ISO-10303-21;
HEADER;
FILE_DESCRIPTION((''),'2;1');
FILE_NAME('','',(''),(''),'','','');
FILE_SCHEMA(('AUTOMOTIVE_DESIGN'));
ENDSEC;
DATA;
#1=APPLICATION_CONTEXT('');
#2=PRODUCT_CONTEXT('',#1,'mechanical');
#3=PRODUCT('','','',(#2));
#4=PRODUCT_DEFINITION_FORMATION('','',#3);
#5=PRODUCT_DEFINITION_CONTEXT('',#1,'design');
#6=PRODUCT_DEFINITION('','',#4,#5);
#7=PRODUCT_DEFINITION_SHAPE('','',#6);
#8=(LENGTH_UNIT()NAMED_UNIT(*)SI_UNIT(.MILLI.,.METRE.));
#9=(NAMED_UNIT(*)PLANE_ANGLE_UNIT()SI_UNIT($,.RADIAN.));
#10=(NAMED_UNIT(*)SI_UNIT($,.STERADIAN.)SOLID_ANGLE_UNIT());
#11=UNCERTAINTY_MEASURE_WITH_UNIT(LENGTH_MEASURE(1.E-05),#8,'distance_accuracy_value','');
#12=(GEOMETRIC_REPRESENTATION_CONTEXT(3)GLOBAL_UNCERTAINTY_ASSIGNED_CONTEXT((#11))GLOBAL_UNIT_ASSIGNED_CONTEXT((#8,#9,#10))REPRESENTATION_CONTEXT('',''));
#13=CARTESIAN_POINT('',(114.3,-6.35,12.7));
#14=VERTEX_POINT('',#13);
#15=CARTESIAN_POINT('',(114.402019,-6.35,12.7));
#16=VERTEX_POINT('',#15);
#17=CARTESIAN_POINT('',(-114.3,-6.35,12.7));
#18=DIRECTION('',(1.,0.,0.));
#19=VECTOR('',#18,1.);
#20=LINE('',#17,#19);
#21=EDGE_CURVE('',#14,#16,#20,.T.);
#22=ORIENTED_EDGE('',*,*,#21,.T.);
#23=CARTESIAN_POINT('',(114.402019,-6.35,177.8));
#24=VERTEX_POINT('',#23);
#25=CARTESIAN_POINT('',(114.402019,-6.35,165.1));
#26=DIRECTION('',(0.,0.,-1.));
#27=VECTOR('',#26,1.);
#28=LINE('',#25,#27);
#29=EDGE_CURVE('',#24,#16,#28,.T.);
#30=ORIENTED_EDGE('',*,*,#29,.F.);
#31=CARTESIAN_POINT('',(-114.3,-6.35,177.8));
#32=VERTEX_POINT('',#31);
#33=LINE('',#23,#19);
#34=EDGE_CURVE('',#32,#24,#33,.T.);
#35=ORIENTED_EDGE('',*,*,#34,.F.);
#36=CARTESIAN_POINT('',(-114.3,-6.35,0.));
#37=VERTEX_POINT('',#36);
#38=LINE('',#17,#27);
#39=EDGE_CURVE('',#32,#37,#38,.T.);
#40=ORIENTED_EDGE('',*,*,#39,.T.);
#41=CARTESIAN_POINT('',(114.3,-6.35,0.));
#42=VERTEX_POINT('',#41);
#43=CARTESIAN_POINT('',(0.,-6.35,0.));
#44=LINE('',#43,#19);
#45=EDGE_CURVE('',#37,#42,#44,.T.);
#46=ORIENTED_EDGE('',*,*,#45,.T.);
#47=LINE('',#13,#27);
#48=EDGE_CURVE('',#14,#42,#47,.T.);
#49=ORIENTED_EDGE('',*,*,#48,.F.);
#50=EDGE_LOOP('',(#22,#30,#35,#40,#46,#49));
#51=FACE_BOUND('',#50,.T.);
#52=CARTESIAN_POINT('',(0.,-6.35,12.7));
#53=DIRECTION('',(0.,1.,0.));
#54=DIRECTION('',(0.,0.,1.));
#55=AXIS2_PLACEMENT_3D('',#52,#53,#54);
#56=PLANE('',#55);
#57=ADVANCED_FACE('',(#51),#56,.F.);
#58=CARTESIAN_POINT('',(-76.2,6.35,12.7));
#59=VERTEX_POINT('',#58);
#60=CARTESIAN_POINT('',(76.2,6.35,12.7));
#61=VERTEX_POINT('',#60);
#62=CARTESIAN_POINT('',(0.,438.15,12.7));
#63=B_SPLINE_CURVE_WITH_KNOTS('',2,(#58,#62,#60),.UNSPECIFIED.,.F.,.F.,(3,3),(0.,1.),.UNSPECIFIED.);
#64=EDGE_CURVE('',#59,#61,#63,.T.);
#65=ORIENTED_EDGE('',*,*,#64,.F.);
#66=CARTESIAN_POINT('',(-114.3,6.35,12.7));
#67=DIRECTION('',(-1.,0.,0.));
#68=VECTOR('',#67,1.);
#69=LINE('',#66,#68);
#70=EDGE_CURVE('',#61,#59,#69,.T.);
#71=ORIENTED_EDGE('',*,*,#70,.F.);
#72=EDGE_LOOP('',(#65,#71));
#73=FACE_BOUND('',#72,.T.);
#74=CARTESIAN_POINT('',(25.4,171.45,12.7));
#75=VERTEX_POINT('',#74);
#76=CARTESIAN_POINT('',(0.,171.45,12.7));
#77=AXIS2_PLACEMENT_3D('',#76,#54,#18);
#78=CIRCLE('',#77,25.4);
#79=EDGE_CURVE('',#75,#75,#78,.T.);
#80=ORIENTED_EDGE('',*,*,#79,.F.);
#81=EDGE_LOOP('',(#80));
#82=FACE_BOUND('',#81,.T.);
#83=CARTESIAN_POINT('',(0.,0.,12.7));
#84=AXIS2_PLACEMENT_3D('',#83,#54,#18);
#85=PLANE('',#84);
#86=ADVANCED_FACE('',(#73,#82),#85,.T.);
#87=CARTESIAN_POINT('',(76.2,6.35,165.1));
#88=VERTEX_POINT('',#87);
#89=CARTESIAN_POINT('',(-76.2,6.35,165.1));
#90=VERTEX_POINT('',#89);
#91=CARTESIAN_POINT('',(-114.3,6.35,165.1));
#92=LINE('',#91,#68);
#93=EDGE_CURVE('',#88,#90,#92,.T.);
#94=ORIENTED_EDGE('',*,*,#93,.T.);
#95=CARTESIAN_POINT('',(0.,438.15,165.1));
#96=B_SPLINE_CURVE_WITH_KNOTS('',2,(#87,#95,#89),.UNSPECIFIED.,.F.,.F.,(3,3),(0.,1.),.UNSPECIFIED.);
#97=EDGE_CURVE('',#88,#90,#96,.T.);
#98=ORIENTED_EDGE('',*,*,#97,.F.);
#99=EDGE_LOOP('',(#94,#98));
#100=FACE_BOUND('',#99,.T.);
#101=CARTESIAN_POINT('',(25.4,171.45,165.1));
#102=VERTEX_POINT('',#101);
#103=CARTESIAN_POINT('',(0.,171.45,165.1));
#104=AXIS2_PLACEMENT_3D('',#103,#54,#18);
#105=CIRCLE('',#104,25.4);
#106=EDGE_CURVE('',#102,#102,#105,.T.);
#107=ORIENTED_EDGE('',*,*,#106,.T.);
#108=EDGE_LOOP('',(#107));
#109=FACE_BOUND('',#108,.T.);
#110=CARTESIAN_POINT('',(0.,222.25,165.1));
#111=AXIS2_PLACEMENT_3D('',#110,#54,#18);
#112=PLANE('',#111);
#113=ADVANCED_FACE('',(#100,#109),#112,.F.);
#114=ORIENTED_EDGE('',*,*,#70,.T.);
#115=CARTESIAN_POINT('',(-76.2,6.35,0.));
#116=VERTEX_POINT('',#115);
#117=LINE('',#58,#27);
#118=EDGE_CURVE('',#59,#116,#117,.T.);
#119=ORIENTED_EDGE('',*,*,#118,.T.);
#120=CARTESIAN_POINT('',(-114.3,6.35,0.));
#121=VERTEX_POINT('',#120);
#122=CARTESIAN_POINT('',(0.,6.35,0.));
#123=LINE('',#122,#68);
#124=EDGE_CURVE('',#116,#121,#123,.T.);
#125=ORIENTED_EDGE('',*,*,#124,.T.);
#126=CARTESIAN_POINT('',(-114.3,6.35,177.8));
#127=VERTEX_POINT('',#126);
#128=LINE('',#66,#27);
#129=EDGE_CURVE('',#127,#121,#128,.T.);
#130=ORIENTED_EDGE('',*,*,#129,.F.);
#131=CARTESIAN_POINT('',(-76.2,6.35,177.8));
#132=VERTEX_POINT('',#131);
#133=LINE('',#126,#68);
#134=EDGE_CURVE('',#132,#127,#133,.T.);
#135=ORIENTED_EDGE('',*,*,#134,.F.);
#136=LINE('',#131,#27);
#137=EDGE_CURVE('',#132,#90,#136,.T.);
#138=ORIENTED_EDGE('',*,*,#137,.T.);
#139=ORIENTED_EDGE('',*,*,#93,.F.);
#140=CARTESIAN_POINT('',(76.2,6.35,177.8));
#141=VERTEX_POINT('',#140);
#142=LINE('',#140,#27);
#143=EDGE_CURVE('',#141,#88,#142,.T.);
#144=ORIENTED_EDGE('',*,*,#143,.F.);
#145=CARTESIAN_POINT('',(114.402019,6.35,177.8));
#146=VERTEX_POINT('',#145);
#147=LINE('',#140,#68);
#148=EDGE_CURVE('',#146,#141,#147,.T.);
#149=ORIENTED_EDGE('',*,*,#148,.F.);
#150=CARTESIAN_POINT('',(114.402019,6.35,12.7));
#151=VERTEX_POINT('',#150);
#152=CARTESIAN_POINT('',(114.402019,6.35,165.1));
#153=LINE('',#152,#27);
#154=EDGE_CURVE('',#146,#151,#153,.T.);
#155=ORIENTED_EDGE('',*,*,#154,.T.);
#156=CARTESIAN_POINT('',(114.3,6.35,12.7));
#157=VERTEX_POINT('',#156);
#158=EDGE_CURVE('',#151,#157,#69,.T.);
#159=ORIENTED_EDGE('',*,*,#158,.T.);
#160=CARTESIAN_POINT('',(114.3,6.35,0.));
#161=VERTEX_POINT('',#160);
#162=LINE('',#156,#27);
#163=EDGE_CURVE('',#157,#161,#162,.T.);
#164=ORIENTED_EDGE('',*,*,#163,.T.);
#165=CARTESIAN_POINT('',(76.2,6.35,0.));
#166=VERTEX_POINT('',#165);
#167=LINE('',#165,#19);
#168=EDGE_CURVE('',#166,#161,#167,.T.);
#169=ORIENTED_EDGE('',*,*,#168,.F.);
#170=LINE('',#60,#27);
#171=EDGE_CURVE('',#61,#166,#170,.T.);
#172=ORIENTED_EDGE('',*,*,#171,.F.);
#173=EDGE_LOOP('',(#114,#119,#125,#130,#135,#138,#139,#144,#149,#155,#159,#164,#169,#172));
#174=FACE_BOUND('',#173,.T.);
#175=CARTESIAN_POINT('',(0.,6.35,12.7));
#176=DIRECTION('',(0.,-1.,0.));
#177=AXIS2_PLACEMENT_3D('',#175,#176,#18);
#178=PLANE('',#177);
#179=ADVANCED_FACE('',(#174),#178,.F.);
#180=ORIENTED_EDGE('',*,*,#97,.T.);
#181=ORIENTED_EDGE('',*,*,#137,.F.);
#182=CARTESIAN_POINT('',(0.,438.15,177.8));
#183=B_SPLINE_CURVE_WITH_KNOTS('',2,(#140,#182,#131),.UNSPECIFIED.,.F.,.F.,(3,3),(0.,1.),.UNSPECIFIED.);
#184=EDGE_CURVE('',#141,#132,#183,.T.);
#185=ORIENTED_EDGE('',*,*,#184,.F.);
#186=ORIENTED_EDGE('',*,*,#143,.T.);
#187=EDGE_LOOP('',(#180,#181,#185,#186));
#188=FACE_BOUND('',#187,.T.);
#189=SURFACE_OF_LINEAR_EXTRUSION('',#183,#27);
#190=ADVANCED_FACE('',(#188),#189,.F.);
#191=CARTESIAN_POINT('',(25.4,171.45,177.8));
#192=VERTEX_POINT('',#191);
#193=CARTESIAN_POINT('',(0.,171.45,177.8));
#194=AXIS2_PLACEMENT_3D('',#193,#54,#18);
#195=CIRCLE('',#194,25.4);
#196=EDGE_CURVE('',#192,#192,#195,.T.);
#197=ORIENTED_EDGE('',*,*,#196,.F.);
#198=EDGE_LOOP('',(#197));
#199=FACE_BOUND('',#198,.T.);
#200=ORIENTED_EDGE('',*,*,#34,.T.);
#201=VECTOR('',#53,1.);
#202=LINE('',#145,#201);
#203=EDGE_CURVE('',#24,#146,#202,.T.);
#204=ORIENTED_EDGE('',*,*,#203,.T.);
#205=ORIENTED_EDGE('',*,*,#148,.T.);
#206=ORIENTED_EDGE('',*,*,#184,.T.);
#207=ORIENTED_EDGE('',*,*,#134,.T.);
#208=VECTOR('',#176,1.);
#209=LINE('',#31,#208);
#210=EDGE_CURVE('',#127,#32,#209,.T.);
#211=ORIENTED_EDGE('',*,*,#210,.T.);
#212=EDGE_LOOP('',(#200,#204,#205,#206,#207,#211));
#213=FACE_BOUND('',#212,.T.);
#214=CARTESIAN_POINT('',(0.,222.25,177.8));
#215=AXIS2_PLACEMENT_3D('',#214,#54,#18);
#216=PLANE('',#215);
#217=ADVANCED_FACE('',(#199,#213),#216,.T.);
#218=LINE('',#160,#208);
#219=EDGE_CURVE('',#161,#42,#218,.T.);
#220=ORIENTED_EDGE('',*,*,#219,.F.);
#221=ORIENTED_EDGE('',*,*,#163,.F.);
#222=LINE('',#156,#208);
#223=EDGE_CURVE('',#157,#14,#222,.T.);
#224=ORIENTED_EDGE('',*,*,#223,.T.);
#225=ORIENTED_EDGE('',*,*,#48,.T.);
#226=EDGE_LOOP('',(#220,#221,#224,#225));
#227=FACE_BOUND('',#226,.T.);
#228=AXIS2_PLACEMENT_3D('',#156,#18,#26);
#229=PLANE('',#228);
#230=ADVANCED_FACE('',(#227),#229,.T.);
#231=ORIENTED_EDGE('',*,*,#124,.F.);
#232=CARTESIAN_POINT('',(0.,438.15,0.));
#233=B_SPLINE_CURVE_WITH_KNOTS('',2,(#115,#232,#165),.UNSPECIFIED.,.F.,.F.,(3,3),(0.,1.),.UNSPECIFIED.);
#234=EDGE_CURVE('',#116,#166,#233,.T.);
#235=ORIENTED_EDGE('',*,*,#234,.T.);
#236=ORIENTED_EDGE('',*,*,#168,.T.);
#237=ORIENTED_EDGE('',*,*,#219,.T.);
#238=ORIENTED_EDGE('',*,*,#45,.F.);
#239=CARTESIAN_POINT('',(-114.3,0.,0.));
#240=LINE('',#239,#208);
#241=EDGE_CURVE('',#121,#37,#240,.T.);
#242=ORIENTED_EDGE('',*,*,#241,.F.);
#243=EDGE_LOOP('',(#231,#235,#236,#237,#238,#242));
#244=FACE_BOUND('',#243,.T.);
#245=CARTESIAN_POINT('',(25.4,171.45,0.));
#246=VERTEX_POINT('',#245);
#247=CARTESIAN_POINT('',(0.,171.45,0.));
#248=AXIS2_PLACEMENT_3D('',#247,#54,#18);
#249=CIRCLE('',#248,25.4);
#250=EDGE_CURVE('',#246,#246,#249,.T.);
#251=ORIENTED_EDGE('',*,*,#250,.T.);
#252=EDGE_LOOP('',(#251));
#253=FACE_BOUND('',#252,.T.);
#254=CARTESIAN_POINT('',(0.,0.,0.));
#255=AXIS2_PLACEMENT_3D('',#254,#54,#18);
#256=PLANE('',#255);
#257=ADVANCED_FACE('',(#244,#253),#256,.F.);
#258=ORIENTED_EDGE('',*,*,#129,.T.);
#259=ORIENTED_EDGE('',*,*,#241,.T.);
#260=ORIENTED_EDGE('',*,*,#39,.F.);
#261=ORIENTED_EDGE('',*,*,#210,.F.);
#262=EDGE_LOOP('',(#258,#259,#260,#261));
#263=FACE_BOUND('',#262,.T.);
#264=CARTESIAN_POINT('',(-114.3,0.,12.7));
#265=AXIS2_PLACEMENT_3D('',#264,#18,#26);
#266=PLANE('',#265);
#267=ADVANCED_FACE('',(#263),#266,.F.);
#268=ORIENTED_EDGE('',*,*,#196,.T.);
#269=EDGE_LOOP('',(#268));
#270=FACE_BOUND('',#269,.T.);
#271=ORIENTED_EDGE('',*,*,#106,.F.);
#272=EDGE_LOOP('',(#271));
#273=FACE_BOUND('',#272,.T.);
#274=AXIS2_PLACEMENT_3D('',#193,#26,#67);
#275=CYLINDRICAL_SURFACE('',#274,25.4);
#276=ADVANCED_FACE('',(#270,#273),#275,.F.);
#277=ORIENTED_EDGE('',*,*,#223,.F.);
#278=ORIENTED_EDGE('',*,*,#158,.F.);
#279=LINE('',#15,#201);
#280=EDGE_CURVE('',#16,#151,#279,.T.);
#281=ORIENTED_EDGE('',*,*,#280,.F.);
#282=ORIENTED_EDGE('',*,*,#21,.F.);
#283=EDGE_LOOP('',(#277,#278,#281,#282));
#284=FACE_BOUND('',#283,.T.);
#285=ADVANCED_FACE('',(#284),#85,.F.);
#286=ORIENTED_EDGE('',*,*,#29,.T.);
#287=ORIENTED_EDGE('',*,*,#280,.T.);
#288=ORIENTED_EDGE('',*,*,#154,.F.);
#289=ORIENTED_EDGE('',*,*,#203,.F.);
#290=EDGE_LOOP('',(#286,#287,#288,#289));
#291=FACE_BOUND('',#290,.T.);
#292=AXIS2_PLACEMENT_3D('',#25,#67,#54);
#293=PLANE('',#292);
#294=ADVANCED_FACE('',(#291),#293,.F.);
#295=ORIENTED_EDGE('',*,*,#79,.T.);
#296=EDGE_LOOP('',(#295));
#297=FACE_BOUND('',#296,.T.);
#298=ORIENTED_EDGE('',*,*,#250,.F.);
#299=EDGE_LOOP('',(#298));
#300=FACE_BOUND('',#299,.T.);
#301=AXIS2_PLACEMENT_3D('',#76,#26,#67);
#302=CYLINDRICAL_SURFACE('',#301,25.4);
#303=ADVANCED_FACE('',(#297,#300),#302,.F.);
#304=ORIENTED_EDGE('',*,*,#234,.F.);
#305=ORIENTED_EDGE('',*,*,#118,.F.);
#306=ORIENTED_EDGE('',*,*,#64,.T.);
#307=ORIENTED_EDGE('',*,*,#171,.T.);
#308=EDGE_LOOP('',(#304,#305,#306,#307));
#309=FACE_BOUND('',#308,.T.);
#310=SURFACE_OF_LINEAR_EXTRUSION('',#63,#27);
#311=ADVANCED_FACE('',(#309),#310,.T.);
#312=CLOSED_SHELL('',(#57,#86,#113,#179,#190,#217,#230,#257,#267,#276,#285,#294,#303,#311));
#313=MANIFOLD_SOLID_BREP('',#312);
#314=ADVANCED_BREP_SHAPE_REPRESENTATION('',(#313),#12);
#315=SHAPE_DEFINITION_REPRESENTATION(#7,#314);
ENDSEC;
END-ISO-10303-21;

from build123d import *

# Parameters (mm, degrees)
SKETCH2_W           = 38.1
SKETCH2_H           = 12.7
BOSS_EXTRUDE1_DEPTH = 12.7
SKETCH4_W           = 228.702019181
SKETCH4_H           = 12.7
BOSS_EXTRUDE2_DEPTH = 152.4
SKETCH5_R           = 25.4
BOSS_EXTRUDE3_DEPTH = 12.7


with BuildPart() as part:
    # Sketch2 → Boss-Extrude1 (new body)
    with BuildSketch(Plane.XY):
        with BuildLine():
            add(Edge.make_bspline(
                [(-76.2, 6.35), (-38.1, 222.25), (0, 222.25)],
                knots=[0, 0, 0, 0.5, 0.5, 0.5], degree=2))
            Line((-76.2, 6.35), (-50.8, 6.35))
            Line((-50.8, 6.35), (0, 6.35))
            Line((0, 6.35), (0, 19.05))
            Line((0, 19.05), (0, 146.05))
            ThreePointArc((0, 146.05), (-25.4, 171.45), (0, 196.85))
            Line((0, 196.85), (0, 222.25))
        make_face()
        with BuildLine():
            add(Edge.make_bspline(
                [(-76.2, 6.35), (-38.1, 222.25), (0, 222.25)],
                knots=[0, 0, 0, 0.5, 0.5, 0.5], degree=2))
            Line((-76.2, 6.35), (-50.8, 6.35))
            Line((-50.8, 6.35), (0, 6.35))
            Line((0, 6.35), (0, 19.05))
            Line((0, 19.05), (0, 146.05))
            ThreePointArc((0, 146.05), (-25.4, 171.45), (0, 196.85))
            Line((0, 196.85), (0, 222.25))
        make_face()
        with BuildLine():
            add(Edge.make_bspline(
                [(0, 222.25), (38.1, 222.25), (76.2, 6.35)],
                knots=[0.5, 0.5, 0.5, 1, 1, 1], degree=2))
            Line((0, 222.25), (0, 196.85))
            ThreePointArc((0, 196.85), (17.960512242, 189.410512242), (25.4, 171.45))
            ThreePointArc((25.4, 171.45), (17.960512242, 153.489487758), (0, 146.05))
            Line((0, 146.05), (0, 19.05))
            Line((0, 19.05), (0, 6.35))
            Line((0, 6.35), (50.8, 6.35))
            Line((50.8, 6.35), (76.2, 6.35))
        make_face()
        with Locations((-95.25, 0)):
            Rectangle(SKETCH2_W, SKETCH2_H)
        Polygon((-50.8, 6.35), (-76.2, 6.35), (-76.2, -6.35), (76.2, -6.35), (76.2, 6.35), (50.8, 6.35), (0, 6.35), align=None)
        with Locations((95.25, 0)):
            Rectangle(SKETCH2_W, SKETCH2_H)
    extrude(amount=BOSS_EXTRUDE1_DEPTH)

    # Sketch4 → Boss-Extrude2 (add)
    with BuildSketch(Plane.XY.offset(12.7)):
        with Locations((0.051009591, 0)):
            Rectangle(SKETCH4_W, SKETCH4_H)
    extrude(amount=BOSS_EXTRUDE2_DEPTH)

    # Sketch5 → Boss-Extrude3 (add)
    with BuildSketch(Plane.XY.offset(165.1)):
        with BuildLine():
            Line((76.2, 6.35), (114.402019181, 6.35))
            Line((114.402019181, 6.35), (114.402019181, -6.35))
            Line((114.402019181, -6.35), (-114.3, -6.35))
            Line((-114.3, -6.35), (-114.3, 6.35))
            Line((-114.3, 6.35), (-76.2, 6.35))
            add(Edge.make_bspline(
                [(-76.2, 6.35), (0, 438.15), (76.2, 6.35)],
                knots=[0, 0, 0, 1, 1, 1], degree=2))
        make_face()
        with Locations((0, 171.45)):
            Circle(SKETCH5_R, mode=Mode.SUBTRACT)
    extrude(amount=BOSS_EXTRUDE3_DEPTH)


solid = part.part
